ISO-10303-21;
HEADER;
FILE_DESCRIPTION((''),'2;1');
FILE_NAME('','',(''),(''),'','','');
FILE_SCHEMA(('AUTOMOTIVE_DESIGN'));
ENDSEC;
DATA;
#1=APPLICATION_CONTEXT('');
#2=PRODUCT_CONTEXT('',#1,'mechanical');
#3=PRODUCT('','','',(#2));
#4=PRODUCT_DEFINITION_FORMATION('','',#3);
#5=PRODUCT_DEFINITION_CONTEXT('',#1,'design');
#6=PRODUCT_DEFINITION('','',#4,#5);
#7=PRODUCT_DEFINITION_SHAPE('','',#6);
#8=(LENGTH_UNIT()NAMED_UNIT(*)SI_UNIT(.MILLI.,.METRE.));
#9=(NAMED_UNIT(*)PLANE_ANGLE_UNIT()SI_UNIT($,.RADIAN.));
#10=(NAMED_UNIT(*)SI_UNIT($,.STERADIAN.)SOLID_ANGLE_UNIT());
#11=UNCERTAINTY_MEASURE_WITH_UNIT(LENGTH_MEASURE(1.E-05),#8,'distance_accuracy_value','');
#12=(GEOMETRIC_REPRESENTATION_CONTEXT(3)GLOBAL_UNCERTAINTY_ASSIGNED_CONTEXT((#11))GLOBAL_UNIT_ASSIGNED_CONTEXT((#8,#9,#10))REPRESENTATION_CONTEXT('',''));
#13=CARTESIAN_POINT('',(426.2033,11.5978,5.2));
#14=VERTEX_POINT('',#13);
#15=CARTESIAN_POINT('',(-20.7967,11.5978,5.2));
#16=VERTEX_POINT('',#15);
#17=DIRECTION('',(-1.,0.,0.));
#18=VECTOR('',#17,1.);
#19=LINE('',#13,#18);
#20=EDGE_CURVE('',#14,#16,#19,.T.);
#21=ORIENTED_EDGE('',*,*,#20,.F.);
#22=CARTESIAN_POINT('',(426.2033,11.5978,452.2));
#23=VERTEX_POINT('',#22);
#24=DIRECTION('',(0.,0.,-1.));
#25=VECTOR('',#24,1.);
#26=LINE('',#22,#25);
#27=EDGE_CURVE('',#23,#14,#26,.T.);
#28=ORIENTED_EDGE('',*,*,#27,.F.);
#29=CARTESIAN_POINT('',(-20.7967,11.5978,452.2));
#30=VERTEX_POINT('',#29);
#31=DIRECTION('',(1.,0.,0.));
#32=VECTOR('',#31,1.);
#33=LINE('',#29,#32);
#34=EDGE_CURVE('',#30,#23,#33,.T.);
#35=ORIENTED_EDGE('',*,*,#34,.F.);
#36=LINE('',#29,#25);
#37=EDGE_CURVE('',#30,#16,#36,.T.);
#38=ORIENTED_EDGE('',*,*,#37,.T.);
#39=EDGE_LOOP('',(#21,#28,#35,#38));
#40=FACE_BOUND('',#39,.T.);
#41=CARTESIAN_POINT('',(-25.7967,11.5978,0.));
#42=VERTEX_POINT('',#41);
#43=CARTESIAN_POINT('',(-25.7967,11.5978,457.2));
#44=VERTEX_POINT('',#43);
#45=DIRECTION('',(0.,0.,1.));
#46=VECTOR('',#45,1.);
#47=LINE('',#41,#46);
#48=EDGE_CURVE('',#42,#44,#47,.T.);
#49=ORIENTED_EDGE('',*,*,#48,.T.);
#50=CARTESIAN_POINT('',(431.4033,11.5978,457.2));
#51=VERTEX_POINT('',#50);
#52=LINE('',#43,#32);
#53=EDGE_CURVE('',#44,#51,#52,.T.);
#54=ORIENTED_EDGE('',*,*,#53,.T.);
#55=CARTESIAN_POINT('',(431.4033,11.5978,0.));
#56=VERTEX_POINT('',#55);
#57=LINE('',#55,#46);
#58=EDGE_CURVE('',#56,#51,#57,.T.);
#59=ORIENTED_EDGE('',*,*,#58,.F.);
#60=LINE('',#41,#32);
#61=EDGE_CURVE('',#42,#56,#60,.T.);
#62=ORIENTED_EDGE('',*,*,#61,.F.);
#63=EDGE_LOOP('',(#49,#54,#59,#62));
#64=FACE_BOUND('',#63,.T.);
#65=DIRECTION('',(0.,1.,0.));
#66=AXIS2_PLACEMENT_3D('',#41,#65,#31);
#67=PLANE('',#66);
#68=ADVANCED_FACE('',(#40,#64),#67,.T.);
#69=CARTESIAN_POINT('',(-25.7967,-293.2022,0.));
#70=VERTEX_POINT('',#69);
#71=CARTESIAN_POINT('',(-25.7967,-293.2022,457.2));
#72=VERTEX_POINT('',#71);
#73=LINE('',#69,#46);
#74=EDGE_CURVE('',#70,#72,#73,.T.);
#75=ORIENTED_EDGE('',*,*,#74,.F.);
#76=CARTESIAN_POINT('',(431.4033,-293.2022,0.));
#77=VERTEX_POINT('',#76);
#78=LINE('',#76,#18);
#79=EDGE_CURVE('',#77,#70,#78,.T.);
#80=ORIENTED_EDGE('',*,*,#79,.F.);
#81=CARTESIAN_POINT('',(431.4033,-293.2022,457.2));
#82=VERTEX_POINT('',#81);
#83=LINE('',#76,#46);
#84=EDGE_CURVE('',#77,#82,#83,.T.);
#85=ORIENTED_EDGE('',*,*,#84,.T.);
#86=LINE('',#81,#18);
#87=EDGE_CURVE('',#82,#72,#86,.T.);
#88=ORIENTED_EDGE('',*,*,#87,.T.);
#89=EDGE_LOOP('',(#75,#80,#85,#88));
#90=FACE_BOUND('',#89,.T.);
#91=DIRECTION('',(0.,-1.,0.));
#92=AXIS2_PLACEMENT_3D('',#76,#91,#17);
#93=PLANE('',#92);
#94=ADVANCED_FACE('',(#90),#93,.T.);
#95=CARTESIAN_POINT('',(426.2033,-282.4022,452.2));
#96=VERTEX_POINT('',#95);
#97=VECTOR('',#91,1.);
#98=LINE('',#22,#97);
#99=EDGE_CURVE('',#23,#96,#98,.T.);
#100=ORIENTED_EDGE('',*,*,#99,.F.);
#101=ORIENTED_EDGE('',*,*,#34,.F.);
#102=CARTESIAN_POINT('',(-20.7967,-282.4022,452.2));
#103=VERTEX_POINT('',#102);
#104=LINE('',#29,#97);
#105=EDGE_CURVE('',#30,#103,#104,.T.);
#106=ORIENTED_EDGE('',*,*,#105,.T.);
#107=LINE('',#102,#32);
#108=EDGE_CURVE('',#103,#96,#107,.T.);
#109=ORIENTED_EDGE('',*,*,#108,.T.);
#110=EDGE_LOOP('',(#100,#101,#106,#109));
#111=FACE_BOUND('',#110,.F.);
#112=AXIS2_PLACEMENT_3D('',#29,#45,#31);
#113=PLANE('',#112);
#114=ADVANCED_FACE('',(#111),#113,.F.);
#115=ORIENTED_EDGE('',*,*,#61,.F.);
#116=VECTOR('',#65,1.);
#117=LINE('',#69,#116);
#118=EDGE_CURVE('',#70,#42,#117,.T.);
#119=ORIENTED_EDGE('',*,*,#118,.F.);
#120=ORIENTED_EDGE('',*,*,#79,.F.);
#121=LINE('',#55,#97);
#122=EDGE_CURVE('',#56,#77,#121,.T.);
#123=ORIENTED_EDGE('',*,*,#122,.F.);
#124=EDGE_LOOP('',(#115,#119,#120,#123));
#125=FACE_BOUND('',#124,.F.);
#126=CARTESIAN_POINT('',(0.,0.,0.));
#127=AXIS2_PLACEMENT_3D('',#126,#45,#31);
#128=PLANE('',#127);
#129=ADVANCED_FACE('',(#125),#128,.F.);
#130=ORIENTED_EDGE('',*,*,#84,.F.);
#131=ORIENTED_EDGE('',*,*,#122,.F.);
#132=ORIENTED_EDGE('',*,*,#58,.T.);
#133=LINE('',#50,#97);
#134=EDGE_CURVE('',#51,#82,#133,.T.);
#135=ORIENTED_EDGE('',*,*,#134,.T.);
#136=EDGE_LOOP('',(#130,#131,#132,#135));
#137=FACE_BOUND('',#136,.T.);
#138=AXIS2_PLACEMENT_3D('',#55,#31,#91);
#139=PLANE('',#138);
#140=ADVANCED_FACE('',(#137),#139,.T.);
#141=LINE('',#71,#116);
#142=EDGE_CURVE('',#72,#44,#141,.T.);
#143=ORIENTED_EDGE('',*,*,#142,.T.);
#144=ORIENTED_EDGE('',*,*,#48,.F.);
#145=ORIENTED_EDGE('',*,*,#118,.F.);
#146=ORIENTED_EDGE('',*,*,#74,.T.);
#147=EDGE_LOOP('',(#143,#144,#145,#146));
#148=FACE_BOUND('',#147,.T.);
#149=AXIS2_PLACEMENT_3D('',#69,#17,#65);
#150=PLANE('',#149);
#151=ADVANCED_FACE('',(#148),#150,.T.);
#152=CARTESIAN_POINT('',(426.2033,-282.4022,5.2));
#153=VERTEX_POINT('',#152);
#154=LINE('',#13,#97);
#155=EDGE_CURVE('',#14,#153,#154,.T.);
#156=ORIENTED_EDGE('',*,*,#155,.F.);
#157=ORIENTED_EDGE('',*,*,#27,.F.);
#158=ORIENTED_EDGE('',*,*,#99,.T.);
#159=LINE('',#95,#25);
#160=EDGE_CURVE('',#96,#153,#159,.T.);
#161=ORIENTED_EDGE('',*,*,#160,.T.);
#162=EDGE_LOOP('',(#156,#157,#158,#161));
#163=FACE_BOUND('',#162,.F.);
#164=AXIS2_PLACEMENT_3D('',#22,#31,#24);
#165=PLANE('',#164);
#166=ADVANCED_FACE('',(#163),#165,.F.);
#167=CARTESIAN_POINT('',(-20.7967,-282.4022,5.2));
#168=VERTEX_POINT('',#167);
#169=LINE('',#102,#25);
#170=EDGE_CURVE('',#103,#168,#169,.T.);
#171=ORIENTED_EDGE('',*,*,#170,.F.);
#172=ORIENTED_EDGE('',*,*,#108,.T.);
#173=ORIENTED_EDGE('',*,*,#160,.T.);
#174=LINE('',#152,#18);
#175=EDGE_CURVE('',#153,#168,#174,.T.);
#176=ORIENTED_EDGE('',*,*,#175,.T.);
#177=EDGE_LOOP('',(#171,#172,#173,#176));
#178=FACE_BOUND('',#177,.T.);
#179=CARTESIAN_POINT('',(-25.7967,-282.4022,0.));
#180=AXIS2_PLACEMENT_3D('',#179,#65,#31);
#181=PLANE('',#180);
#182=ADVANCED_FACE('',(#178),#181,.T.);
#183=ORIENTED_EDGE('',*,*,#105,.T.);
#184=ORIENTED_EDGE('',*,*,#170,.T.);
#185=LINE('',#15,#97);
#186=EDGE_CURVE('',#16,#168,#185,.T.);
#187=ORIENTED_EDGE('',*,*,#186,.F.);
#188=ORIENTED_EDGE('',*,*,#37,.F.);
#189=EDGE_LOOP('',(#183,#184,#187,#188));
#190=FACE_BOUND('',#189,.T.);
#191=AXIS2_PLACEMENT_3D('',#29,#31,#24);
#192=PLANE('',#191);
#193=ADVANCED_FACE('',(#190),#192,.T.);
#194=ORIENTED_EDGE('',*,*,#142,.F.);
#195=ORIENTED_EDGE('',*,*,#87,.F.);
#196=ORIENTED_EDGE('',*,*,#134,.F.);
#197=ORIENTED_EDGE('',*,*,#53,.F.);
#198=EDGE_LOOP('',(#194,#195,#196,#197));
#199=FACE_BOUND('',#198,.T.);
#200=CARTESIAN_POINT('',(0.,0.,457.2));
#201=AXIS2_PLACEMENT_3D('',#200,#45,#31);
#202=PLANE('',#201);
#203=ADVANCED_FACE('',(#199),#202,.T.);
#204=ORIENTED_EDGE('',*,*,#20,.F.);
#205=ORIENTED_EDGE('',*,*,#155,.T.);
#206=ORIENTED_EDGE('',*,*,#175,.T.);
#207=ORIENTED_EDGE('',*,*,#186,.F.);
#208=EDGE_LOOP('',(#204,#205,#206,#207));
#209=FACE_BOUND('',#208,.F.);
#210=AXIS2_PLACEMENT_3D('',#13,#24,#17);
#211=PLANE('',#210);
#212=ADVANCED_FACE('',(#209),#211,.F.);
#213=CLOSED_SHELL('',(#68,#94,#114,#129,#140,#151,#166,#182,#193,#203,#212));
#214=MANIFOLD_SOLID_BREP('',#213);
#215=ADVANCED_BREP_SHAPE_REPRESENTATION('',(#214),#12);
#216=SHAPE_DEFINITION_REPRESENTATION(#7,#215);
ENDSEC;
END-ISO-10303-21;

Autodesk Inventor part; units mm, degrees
ref_plane "YZ Plane" through (0, 0, 0) normal (1, 0, 0) x (0, 1, 0)
ref_plane "XZ Plane" through (0, 0, 0) normal (0, 1, 0) x (-1, 0, 0)
ref_plane "XY Plane" through (0, 0, 0) normal (0, 0, 1) x (1, 0, 0)
sketch "Sketch1" plane through (0, 0, 0) normal (0, 0, 1) x (1, 0, 0)
  line L0 (-25.7967, 11.5978) -> (431.4033, 11.5978)
  line L1 (431.4033, 11.5978) -> (431.4033, -293.2022)
  line L2 (431.4033, -293.2022) -> (-25.7967, -293.2022)
  line L3 (-25.7967, -293.2022) -> (-25.7967, 11.5978)
  point P0 (0, 0)
  dimension "d0" = 457.2
  dimension "d1" = 304.8
extrude "Extrusion1" add sketch "Sketch1" along normal blind 457.2
sketch "Sketch2" plane through (-25.7967, 11.5978, 0) normal (0, 1, 0) x (1, 0, 0)
  line L0 (0, 0) -> (0, -457.2) projected
  line L1 (0, -457.2) -> (0, -452.2)
  line L2 (0, -457.2) -> (457.2, -457.2) projected
  line L3 (0, -457.2) -> (5, -457.2)
  line L4 (5, -452.2) -> (452, -452.2)
  line L5 (452, -452.2) -> (452, -5.2)
  line L6 (452, -5.2) -> (5, -5.2)
  line L7 (452, -5.2) -> (899, -5.2) construction
  line L8 (5, -452.2) -> (5, -5.2)
  point P0 (25.7967, 0)
  dimension "d4" = 5
  dimension "d5" = 5
  dimension "d6" = 447
  dimension "d7" = 447
  dimension "d8" = 447
  dimension "d9" = 180
extrude "Extrusion2" cut sketch "Sketch2" against normal blind 294
sketch "Sketch3" plane through (426.2033, 11.5978, 452.2) normal (0, 0, -1) x (-1, 0, 0)
  point P0 (426.2033, -11.5978)
properties part number "rectangle box" material "Glass"
